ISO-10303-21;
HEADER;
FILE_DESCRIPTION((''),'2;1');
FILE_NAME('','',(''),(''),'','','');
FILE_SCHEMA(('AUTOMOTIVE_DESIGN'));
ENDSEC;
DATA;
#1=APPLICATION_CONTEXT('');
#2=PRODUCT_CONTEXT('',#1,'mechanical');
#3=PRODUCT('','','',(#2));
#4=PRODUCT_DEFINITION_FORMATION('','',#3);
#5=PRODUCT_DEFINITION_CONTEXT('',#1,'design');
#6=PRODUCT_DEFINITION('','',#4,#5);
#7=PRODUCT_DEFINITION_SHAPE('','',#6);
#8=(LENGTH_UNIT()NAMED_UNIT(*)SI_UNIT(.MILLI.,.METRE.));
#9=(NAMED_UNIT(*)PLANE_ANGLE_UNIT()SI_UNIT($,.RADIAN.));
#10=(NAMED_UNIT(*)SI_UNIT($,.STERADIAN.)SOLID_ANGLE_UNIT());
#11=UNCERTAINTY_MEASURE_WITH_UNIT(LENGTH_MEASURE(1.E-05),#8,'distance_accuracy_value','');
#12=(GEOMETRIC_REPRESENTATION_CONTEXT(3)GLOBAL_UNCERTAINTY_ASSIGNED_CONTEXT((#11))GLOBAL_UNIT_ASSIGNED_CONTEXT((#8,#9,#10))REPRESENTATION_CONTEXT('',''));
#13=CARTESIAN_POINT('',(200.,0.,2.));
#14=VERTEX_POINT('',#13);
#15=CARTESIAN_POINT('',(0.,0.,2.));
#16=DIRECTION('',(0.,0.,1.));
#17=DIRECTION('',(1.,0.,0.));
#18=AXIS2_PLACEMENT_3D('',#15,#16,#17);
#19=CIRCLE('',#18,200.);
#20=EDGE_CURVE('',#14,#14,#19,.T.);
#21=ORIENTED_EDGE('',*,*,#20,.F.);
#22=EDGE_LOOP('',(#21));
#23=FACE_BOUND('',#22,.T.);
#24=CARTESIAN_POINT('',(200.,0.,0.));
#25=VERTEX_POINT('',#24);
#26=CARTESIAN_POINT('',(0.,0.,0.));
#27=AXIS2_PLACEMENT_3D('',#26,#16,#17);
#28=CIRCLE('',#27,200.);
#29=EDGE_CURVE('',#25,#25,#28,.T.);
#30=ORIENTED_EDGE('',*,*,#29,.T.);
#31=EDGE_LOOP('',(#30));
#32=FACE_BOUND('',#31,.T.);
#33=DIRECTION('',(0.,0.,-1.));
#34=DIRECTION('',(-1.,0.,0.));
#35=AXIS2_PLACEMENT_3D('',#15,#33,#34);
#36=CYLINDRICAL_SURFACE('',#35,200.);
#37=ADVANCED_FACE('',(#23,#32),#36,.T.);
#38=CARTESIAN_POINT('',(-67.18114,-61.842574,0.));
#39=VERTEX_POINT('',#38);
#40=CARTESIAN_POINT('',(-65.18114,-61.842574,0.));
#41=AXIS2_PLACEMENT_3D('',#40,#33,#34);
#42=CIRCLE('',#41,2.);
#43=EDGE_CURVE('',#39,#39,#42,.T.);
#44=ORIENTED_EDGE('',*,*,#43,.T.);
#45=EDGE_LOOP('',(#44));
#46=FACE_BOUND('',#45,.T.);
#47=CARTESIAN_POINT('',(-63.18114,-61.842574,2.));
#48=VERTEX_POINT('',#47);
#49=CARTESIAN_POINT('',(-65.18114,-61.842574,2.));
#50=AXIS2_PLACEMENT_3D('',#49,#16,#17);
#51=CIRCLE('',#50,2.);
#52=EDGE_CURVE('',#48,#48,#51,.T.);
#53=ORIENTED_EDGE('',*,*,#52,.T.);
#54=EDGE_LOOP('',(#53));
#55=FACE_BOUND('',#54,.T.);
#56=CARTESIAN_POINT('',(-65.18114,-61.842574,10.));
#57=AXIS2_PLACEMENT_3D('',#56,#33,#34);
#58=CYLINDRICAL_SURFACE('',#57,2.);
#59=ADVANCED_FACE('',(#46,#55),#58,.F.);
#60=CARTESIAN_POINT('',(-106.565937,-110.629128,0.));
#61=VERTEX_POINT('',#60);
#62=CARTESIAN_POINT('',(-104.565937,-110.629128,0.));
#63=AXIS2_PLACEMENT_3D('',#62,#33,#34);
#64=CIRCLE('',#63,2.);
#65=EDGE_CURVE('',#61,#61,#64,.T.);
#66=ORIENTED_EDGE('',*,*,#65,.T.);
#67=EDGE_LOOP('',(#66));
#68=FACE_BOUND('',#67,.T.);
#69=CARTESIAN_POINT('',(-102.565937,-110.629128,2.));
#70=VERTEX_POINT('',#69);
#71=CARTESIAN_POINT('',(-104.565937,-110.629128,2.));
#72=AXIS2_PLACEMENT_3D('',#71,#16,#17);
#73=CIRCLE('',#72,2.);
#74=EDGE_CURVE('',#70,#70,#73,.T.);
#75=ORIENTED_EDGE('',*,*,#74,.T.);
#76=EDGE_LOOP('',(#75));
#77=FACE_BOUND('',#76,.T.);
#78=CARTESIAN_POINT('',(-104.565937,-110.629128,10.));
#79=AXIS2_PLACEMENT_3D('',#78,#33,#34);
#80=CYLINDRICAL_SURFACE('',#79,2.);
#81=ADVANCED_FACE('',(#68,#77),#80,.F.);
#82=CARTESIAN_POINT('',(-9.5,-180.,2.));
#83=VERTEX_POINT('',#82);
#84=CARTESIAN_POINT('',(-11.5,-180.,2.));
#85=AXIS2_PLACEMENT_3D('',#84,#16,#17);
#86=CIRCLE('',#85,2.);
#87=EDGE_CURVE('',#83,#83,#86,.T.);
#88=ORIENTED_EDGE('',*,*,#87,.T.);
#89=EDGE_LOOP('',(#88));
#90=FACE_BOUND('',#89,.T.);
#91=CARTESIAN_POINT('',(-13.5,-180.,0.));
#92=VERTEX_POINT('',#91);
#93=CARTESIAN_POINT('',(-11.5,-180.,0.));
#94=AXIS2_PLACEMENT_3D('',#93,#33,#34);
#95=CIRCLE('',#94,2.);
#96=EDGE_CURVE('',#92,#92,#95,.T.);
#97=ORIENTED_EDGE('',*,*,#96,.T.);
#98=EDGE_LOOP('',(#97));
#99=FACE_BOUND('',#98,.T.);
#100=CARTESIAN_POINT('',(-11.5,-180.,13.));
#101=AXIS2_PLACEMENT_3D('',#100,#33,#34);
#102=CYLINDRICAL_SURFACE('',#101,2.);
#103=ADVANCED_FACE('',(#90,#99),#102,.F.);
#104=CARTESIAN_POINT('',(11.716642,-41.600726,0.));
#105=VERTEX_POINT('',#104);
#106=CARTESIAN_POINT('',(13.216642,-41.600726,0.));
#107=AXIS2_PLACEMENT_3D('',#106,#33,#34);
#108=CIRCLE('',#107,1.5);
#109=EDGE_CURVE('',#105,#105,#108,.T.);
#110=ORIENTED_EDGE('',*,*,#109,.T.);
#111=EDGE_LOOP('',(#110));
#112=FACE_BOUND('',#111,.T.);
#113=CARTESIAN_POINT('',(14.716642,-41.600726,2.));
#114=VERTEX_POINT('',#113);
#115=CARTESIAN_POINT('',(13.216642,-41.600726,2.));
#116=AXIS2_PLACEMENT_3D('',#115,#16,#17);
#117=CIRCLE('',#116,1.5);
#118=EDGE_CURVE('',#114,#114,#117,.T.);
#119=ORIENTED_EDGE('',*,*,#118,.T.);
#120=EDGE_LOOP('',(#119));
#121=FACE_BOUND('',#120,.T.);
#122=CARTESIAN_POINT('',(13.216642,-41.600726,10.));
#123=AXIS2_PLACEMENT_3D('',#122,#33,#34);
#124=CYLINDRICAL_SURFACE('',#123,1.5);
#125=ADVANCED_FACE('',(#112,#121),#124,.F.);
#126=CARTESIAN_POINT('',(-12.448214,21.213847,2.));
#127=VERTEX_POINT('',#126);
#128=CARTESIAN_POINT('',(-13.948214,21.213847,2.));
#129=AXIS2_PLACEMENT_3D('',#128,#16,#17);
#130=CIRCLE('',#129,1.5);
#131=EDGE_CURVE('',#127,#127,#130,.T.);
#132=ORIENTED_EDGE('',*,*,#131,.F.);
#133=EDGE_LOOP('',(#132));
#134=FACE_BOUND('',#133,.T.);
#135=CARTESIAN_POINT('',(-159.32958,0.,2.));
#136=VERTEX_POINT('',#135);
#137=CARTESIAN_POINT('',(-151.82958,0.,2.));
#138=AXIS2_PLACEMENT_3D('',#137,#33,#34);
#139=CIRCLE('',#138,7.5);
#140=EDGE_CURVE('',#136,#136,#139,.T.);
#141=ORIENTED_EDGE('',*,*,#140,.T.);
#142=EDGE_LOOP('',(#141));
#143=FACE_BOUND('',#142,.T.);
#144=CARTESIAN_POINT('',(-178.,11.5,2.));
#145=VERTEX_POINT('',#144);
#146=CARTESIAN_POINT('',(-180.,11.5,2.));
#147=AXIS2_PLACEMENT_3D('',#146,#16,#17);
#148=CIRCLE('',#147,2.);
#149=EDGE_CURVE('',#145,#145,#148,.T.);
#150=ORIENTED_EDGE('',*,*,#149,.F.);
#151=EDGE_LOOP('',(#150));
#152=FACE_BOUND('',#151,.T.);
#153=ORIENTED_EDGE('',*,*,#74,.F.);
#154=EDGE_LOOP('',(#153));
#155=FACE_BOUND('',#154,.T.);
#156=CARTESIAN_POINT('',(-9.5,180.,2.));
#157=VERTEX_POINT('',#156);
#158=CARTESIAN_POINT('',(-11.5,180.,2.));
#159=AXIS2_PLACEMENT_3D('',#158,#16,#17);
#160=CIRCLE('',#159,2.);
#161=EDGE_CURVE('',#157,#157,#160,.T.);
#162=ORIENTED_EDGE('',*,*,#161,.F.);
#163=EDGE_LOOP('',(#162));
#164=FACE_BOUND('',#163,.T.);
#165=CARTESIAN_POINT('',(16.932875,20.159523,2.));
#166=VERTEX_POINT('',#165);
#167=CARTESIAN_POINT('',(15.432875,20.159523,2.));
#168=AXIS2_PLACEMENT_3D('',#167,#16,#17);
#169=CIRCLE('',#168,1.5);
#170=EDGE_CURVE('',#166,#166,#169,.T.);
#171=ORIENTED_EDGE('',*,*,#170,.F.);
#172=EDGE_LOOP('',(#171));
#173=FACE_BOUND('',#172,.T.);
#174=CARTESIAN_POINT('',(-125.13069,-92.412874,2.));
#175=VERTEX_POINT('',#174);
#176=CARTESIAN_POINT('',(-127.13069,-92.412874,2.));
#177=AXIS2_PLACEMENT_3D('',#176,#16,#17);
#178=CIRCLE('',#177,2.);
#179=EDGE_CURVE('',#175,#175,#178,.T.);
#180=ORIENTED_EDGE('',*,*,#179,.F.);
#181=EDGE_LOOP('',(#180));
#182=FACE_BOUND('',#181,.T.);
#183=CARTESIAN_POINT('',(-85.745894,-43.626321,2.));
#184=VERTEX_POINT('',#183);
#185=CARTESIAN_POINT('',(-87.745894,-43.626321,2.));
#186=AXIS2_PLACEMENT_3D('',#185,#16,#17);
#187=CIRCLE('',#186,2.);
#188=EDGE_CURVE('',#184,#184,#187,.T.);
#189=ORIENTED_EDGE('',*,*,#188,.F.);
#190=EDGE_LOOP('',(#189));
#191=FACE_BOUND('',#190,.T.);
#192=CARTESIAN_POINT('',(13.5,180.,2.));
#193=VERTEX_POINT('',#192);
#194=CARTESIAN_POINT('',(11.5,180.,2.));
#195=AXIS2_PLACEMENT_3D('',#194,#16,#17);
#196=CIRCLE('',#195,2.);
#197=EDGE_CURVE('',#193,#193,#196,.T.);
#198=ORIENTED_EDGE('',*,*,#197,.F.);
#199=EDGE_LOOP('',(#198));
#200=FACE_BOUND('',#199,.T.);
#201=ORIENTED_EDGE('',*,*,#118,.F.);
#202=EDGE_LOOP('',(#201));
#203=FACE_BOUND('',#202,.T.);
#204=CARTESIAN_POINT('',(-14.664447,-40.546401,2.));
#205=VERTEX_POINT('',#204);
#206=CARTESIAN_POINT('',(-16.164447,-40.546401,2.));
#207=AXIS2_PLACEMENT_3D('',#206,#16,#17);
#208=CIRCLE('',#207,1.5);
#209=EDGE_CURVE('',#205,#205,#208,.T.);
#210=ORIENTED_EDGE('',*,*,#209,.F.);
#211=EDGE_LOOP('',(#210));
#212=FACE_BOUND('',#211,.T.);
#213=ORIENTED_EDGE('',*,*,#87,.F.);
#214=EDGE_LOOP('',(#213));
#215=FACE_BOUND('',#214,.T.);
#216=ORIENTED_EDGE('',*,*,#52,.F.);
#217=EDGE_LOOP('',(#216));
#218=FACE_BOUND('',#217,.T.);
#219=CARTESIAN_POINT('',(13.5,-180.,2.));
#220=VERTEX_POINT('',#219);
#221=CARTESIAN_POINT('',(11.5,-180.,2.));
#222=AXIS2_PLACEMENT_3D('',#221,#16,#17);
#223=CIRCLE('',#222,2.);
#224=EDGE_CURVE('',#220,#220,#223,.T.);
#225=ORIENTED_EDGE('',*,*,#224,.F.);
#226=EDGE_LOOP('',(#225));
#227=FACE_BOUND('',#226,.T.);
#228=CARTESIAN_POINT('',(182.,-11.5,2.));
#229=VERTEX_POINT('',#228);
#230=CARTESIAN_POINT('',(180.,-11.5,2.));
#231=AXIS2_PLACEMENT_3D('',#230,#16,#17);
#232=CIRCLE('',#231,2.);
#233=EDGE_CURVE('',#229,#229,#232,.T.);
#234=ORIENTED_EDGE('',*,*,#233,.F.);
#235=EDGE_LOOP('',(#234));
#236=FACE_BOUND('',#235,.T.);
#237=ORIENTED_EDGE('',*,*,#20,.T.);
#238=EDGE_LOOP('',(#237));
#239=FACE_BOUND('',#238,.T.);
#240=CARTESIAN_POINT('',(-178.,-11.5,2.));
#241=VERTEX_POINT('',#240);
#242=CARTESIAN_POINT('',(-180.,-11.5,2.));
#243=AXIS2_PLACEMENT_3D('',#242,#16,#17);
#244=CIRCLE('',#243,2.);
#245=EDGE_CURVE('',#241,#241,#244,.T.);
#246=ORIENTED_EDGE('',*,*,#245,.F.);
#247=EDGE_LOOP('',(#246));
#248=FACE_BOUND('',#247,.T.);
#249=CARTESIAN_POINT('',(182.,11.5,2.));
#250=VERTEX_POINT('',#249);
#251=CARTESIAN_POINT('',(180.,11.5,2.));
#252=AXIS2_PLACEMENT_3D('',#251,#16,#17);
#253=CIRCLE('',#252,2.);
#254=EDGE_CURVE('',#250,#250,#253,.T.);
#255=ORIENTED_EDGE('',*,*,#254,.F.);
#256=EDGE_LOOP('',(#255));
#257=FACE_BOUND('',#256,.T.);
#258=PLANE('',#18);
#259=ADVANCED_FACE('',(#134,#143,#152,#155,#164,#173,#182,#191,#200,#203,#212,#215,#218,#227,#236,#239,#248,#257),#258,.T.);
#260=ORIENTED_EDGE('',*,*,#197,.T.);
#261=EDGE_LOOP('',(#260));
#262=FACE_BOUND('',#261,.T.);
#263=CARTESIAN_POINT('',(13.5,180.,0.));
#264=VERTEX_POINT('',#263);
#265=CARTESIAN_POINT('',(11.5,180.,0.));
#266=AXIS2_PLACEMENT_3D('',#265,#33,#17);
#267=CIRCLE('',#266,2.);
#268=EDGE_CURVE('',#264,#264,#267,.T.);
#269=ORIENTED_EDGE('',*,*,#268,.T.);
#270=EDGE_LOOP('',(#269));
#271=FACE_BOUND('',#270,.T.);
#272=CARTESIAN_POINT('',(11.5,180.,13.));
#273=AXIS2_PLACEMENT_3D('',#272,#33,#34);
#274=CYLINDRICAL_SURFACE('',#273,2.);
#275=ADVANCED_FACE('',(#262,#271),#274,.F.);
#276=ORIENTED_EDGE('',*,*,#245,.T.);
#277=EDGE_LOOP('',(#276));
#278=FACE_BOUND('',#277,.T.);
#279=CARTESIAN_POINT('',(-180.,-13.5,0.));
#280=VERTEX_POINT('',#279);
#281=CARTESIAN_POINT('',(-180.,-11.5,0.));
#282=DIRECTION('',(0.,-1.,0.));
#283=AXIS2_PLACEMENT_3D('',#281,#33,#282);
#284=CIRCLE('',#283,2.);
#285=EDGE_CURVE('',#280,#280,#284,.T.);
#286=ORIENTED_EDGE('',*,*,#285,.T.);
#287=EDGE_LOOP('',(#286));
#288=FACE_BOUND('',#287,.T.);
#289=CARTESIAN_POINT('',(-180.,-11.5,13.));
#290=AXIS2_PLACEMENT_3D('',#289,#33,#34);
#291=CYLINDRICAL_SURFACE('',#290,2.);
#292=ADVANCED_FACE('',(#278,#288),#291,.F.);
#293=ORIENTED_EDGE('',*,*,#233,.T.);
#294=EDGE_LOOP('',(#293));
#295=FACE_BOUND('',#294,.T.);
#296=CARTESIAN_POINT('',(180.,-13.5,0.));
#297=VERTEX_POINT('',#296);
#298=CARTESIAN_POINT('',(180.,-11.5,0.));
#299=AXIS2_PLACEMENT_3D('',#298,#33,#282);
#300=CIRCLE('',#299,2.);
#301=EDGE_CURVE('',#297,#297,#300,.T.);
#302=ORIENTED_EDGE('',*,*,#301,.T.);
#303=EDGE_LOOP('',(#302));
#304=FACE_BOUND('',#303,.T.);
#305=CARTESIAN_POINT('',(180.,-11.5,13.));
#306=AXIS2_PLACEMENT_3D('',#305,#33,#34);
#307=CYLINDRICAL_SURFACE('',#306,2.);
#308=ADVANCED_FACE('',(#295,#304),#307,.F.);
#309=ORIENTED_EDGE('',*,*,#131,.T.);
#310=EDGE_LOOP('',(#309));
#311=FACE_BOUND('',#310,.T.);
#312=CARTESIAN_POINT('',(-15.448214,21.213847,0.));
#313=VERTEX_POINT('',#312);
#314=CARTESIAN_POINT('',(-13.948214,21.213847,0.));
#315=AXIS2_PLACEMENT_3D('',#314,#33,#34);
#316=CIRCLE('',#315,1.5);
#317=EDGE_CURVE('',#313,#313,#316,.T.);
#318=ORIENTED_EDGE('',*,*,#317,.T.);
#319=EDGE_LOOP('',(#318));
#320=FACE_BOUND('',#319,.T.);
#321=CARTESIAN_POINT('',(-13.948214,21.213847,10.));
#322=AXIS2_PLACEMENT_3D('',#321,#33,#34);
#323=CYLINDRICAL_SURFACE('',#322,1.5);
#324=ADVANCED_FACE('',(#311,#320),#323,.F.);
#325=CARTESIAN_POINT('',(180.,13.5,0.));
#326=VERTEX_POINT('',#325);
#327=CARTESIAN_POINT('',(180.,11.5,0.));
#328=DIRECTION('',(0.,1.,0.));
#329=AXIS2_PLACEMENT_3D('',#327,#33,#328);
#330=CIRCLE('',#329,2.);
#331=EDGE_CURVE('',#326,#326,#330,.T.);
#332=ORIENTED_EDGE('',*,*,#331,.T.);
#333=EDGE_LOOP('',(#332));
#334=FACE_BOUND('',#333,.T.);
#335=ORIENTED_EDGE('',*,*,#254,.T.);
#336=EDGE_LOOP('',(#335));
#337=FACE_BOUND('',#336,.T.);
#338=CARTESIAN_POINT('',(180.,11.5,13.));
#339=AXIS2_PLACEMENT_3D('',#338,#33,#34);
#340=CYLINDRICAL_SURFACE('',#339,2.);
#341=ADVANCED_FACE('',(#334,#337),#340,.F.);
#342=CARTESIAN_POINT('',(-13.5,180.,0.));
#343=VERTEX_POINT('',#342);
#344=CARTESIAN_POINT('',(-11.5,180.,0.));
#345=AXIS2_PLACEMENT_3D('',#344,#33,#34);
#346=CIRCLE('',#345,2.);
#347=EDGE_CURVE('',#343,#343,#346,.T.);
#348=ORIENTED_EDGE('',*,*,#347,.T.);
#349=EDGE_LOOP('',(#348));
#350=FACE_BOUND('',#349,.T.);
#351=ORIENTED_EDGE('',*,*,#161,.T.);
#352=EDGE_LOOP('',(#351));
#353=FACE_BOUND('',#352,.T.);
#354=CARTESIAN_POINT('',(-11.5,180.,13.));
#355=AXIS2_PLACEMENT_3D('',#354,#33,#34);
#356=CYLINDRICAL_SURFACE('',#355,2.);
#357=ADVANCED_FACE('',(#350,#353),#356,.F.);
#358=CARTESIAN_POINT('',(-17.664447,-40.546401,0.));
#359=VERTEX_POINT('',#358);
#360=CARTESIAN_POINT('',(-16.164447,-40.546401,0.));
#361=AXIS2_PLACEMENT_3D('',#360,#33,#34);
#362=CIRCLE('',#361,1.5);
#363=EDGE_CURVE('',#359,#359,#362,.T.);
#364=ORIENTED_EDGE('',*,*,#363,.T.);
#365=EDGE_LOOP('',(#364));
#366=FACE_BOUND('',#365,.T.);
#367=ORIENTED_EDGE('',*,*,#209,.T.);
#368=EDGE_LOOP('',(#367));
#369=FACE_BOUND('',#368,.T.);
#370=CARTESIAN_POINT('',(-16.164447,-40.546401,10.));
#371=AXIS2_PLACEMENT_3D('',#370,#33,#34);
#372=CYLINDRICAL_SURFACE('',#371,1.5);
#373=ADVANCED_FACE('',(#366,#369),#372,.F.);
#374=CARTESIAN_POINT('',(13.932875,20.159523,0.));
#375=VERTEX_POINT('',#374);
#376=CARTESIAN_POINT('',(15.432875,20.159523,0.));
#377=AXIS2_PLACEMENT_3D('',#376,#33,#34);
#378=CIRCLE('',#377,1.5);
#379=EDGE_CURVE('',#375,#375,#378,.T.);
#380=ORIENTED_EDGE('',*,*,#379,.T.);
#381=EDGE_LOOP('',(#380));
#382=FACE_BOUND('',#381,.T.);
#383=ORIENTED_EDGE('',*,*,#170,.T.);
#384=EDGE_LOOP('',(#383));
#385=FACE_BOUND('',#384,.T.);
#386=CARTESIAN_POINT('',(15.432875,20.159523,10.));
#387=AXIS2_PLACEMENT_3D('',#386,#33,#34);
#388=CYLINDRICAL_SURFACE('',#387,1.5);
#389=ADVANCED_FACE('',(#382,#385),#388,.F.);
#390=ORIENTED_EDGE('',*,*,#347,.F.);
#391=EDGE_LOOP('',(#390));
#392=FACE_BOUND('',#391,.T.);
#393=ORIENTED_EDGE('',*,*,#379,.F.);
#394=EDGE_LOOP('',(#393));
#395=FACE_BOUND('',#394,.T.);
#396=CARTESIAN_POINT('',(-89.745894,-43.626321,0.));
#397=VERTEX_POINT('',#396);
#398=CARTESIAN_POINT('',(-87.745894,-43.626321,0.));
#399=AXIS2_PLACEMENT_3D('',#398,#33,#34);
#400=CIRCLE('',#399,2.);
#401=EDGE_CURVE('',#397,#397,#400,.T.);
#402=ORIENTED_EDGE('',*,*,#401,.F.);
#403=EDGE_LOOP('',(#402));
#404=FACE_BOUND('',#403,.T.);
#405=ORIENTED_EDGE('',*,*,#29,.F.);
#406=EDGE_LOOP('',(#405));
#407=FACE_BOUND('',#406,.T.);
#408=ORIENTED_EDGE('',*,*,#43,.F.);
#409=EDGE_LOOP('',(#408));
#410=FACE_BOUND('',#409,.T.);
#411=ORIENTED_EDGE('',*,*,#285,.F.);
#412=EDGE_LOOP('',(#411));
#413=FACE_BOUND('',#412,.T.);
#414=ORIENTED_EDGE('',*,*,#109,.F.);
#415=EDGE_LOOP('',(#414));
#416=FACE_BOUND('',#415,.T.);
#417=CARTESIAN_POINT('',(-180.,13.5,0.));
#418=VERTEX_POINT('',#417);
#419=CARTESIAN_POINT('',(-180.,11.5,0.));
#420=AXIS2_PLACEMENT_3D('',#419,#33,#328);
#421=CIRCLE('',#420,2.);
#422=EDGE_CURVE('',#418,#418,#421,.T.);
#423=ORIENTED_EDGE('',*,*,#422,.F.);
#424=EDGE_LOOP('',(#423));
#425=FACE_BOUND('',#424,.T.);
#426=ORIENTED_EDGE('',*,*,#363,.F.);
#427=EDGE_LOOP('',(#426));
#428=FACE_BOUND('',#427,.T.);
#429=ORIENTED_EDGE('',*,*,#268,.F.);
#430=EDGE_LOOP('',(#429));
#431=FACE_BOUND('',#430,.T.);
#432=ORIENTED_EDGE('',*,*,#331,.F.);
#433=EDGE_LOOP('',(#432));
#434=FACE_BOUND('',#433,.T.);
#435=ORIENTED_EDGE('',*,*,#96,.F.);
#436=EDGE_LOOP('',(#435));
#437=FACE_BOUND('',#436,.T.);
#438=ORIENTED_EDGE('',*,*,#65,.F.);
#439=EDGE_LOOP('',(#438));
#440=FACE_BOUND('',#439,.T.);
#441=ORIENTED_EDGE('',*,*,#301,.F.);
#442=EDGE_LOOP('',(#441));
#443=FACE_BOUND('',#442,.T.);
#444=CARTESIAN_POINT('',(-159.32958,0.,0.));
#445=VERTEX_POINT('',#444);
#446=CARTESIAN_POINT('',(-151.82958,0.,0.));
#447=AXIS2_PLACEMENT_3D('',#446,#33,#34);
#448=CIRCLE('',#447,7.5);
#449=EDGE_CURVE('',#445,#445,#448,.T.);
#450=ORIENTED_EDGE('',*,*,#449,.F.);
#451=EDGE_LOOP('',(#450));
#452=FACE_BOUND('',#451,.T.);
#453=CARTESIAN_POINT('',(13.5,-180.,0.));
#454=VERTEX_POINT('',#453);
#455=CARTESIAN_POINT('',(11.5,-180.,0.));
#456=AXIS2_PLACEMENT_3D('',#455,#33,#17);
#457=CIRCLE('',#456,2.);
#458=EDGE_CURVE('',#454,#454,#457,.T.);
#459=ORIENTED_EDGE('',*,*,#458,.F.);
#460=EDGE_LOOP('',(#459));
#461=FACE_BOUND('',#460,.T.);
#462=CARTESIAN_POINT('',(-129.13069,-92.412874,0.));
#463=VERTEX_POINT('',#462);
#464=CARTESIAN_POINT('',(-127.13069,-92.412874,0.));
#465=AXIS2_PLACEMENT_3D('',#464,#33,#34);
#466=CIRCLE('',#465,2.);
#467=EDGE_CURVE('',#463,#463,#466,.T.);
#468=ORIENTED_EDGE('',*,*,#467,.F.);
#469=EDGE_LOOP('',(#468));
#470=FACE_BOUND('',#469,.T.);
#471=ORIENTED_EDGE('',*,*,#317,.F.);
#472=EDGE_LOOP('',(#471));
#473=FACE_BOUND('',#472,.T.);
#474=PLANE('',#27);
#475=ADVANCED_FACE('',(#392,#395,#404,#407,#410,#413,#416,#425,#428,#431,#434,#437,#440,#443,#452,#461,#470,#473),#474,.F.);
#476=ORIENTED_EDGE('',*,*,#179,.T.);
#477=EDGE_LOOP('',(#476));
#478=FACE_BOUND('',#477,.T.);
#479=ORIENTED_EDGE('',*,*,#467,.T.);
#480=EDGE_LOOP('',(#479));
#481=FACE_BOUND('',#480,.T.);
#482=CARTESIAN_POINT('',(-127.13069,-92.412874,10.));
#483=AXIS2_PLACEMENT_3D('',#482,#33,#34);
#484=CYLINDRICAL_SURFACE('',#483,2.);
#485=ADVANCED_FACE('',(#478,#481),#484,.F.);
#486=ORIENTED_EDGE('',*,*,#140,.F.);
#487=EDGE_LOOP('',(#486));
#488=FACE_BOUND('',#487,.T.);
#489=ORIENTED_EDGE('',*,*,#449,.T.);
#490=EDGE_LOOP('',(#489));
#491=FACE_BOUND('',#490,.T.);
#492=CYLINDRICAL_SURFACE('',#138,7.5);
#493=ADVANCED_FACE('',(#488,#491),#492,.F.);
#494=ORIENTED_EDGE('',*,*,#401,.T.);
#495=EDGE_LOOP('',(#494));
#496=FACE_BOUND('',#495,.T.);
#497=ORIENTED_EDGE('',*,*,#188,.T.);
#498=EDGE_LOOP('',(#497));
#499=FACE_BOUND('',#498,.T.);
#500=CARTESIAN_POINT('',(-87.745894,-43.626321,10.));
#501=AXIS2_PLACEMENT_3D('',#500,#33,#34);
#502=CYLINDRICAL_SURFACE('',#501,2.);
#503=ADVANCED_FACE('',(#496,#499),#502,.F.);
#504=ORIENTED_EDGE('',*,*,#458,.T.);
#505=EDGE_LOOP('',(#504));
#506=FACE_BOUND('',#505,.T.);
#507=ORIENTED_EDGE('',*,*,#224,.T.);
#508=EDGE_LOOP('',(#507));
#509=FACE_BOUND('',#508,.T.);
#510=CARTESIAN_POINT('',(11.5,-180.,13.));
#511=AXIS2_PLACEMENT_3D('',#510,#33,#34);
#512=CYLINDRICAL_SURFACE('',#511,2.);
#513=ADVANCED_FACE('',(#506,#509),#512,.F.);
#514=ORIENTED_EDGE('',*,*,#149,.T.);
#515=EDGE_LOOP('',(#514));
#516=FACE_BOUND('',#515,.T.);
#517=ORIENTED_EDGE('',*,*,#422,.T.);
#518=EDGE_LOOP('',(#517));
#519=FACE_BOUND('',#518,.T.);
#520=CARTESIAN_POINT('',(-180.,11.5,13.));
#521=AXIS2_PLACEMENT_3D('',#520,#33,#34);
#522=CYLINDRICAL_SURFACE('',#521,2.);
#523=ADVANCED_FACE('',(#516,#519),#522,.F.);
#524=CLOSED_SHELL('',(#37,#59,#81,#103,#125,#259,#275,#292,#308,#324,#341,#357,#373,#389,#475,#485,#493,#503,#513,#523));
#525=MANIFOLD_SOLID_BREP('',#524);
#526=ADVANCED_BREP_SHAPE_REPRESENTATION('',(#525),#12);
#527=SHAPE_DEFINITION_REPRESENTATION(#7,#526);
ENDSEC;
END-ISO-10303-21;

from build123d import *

# Parameters (mm, degrees)
SKETCH1_R           = 200
BOSS_EXTRUDE1_DEPTH = 2
SKETCH2_R           = 2
CUT_EXTRUDE1_DEPTH  = 13
CIRPATTERN1_COUNT   = 4
SKETCH5_R           = 7.5
CUT_EXTRUDE3_DEPTH  = 2
SKETCH7_R           = 2
CUT_EXTRUDE4_DEPTH  = 10
SKETCH8_R           = 1.5
CUT_EXTRUDE5_DEPTH  = 10


with BuildPart() as part:
    # Sketch1 → Boss-Extrude1 (new body)
    with BuildSketch(Plane.XY):
        Circle(SKETCH1_R)
    extrude(amount=BOSS_EXTRUDE1_DEPTH)

    # Sketch2 → Cut-Extrude1 (cut)
    with BuildSketch(Plane(origin=(0, 0, 0), x_dir=(-1, 0, 0), z_dir=(0, 0, -1))):
        with Locations((11.5, 180)):
            Circle(SKETCH2_R)
        with Locations(Location((-11.5, 180, 0), (0, 0, 180))):
            Circle(SKETCH2_R)
    cut_extrude1 = extrude(amount=-CUT_EXTRUDE1_DEPTH, mode=Mode.SUBTRACT)

    # CirPattern1: Cut-Extrude1 ×4 about axis
    cirpattern1_axis = Axis((0, 0, 0), (0, 0, 1))
    for i in range(1, CIRPATTERN1_COUNT):
        add(cut_extrude1.rotate(cirpattern1_axis, i * 360 / CIRPATTERN1_COUNT), mode=Mode.SUBTRACT)

    # Sketch5 → Cut-Extrude3 (cut)
    with BuildSketch(Plane(origin=(0, 0, 0), x_dir=(-1, 0, 0), z_dir=(0, 0, -1))):
        with Locations((151.829580255, 0)):
            Circle(SKETCH5_R)
    extrude(amount=-CUT_EXTRUDE3_DEPTH, mode=Mode.SUBTRACT)

    # Sketch7 → Cut-Extrude4 (cut)
    with BuildSketch(Plane(origin=(0, 0, 0), x_dir=(-1, 0, 0), z_dir=(0, 0, -1))):
        with Locations((127.130690154, -92.412874198)):
            Circle(SKETCH7_R)
        with Locations((104.565936539, -110.629127773)):
            Circle(SKETCH7_R)
        with Locations((65.181140017, -61.842574268)):
            Circle(SKETCH7_R)
        with Locations((87.745893632, -43.626320693)):
            Circle(SKETCH7_R)
    extrude(amount=-CUT_EXTRUDE4_DEPTH, mode=Mode.SUBTRACT)

    # Sketch8 → Cut-Extrude5 (cut)
    with BuildSketch(Plane(origin=(0, 0, 0), x_dir=(-1, 0, 0), z_dir=(0, 0, -1))):
        with Locations((-15.432875064, 20.159522992)):
            Circle(SKETCH8_R)
        with Locations((13.948214091, 21.213847451)):
            Circle(SKETCH8_R)
        with Locations((-13.216642017, -41.60072564)):
            Circle(SKETCH8_R)
        with Locations((16.164447138, -40.546401181)):
            Circle(SKETCH8_R)
    extrude(amount=-CUT_EXTRUDE5_DEPTH, mode=Mode.SUBTRACT)


solid = part.part
